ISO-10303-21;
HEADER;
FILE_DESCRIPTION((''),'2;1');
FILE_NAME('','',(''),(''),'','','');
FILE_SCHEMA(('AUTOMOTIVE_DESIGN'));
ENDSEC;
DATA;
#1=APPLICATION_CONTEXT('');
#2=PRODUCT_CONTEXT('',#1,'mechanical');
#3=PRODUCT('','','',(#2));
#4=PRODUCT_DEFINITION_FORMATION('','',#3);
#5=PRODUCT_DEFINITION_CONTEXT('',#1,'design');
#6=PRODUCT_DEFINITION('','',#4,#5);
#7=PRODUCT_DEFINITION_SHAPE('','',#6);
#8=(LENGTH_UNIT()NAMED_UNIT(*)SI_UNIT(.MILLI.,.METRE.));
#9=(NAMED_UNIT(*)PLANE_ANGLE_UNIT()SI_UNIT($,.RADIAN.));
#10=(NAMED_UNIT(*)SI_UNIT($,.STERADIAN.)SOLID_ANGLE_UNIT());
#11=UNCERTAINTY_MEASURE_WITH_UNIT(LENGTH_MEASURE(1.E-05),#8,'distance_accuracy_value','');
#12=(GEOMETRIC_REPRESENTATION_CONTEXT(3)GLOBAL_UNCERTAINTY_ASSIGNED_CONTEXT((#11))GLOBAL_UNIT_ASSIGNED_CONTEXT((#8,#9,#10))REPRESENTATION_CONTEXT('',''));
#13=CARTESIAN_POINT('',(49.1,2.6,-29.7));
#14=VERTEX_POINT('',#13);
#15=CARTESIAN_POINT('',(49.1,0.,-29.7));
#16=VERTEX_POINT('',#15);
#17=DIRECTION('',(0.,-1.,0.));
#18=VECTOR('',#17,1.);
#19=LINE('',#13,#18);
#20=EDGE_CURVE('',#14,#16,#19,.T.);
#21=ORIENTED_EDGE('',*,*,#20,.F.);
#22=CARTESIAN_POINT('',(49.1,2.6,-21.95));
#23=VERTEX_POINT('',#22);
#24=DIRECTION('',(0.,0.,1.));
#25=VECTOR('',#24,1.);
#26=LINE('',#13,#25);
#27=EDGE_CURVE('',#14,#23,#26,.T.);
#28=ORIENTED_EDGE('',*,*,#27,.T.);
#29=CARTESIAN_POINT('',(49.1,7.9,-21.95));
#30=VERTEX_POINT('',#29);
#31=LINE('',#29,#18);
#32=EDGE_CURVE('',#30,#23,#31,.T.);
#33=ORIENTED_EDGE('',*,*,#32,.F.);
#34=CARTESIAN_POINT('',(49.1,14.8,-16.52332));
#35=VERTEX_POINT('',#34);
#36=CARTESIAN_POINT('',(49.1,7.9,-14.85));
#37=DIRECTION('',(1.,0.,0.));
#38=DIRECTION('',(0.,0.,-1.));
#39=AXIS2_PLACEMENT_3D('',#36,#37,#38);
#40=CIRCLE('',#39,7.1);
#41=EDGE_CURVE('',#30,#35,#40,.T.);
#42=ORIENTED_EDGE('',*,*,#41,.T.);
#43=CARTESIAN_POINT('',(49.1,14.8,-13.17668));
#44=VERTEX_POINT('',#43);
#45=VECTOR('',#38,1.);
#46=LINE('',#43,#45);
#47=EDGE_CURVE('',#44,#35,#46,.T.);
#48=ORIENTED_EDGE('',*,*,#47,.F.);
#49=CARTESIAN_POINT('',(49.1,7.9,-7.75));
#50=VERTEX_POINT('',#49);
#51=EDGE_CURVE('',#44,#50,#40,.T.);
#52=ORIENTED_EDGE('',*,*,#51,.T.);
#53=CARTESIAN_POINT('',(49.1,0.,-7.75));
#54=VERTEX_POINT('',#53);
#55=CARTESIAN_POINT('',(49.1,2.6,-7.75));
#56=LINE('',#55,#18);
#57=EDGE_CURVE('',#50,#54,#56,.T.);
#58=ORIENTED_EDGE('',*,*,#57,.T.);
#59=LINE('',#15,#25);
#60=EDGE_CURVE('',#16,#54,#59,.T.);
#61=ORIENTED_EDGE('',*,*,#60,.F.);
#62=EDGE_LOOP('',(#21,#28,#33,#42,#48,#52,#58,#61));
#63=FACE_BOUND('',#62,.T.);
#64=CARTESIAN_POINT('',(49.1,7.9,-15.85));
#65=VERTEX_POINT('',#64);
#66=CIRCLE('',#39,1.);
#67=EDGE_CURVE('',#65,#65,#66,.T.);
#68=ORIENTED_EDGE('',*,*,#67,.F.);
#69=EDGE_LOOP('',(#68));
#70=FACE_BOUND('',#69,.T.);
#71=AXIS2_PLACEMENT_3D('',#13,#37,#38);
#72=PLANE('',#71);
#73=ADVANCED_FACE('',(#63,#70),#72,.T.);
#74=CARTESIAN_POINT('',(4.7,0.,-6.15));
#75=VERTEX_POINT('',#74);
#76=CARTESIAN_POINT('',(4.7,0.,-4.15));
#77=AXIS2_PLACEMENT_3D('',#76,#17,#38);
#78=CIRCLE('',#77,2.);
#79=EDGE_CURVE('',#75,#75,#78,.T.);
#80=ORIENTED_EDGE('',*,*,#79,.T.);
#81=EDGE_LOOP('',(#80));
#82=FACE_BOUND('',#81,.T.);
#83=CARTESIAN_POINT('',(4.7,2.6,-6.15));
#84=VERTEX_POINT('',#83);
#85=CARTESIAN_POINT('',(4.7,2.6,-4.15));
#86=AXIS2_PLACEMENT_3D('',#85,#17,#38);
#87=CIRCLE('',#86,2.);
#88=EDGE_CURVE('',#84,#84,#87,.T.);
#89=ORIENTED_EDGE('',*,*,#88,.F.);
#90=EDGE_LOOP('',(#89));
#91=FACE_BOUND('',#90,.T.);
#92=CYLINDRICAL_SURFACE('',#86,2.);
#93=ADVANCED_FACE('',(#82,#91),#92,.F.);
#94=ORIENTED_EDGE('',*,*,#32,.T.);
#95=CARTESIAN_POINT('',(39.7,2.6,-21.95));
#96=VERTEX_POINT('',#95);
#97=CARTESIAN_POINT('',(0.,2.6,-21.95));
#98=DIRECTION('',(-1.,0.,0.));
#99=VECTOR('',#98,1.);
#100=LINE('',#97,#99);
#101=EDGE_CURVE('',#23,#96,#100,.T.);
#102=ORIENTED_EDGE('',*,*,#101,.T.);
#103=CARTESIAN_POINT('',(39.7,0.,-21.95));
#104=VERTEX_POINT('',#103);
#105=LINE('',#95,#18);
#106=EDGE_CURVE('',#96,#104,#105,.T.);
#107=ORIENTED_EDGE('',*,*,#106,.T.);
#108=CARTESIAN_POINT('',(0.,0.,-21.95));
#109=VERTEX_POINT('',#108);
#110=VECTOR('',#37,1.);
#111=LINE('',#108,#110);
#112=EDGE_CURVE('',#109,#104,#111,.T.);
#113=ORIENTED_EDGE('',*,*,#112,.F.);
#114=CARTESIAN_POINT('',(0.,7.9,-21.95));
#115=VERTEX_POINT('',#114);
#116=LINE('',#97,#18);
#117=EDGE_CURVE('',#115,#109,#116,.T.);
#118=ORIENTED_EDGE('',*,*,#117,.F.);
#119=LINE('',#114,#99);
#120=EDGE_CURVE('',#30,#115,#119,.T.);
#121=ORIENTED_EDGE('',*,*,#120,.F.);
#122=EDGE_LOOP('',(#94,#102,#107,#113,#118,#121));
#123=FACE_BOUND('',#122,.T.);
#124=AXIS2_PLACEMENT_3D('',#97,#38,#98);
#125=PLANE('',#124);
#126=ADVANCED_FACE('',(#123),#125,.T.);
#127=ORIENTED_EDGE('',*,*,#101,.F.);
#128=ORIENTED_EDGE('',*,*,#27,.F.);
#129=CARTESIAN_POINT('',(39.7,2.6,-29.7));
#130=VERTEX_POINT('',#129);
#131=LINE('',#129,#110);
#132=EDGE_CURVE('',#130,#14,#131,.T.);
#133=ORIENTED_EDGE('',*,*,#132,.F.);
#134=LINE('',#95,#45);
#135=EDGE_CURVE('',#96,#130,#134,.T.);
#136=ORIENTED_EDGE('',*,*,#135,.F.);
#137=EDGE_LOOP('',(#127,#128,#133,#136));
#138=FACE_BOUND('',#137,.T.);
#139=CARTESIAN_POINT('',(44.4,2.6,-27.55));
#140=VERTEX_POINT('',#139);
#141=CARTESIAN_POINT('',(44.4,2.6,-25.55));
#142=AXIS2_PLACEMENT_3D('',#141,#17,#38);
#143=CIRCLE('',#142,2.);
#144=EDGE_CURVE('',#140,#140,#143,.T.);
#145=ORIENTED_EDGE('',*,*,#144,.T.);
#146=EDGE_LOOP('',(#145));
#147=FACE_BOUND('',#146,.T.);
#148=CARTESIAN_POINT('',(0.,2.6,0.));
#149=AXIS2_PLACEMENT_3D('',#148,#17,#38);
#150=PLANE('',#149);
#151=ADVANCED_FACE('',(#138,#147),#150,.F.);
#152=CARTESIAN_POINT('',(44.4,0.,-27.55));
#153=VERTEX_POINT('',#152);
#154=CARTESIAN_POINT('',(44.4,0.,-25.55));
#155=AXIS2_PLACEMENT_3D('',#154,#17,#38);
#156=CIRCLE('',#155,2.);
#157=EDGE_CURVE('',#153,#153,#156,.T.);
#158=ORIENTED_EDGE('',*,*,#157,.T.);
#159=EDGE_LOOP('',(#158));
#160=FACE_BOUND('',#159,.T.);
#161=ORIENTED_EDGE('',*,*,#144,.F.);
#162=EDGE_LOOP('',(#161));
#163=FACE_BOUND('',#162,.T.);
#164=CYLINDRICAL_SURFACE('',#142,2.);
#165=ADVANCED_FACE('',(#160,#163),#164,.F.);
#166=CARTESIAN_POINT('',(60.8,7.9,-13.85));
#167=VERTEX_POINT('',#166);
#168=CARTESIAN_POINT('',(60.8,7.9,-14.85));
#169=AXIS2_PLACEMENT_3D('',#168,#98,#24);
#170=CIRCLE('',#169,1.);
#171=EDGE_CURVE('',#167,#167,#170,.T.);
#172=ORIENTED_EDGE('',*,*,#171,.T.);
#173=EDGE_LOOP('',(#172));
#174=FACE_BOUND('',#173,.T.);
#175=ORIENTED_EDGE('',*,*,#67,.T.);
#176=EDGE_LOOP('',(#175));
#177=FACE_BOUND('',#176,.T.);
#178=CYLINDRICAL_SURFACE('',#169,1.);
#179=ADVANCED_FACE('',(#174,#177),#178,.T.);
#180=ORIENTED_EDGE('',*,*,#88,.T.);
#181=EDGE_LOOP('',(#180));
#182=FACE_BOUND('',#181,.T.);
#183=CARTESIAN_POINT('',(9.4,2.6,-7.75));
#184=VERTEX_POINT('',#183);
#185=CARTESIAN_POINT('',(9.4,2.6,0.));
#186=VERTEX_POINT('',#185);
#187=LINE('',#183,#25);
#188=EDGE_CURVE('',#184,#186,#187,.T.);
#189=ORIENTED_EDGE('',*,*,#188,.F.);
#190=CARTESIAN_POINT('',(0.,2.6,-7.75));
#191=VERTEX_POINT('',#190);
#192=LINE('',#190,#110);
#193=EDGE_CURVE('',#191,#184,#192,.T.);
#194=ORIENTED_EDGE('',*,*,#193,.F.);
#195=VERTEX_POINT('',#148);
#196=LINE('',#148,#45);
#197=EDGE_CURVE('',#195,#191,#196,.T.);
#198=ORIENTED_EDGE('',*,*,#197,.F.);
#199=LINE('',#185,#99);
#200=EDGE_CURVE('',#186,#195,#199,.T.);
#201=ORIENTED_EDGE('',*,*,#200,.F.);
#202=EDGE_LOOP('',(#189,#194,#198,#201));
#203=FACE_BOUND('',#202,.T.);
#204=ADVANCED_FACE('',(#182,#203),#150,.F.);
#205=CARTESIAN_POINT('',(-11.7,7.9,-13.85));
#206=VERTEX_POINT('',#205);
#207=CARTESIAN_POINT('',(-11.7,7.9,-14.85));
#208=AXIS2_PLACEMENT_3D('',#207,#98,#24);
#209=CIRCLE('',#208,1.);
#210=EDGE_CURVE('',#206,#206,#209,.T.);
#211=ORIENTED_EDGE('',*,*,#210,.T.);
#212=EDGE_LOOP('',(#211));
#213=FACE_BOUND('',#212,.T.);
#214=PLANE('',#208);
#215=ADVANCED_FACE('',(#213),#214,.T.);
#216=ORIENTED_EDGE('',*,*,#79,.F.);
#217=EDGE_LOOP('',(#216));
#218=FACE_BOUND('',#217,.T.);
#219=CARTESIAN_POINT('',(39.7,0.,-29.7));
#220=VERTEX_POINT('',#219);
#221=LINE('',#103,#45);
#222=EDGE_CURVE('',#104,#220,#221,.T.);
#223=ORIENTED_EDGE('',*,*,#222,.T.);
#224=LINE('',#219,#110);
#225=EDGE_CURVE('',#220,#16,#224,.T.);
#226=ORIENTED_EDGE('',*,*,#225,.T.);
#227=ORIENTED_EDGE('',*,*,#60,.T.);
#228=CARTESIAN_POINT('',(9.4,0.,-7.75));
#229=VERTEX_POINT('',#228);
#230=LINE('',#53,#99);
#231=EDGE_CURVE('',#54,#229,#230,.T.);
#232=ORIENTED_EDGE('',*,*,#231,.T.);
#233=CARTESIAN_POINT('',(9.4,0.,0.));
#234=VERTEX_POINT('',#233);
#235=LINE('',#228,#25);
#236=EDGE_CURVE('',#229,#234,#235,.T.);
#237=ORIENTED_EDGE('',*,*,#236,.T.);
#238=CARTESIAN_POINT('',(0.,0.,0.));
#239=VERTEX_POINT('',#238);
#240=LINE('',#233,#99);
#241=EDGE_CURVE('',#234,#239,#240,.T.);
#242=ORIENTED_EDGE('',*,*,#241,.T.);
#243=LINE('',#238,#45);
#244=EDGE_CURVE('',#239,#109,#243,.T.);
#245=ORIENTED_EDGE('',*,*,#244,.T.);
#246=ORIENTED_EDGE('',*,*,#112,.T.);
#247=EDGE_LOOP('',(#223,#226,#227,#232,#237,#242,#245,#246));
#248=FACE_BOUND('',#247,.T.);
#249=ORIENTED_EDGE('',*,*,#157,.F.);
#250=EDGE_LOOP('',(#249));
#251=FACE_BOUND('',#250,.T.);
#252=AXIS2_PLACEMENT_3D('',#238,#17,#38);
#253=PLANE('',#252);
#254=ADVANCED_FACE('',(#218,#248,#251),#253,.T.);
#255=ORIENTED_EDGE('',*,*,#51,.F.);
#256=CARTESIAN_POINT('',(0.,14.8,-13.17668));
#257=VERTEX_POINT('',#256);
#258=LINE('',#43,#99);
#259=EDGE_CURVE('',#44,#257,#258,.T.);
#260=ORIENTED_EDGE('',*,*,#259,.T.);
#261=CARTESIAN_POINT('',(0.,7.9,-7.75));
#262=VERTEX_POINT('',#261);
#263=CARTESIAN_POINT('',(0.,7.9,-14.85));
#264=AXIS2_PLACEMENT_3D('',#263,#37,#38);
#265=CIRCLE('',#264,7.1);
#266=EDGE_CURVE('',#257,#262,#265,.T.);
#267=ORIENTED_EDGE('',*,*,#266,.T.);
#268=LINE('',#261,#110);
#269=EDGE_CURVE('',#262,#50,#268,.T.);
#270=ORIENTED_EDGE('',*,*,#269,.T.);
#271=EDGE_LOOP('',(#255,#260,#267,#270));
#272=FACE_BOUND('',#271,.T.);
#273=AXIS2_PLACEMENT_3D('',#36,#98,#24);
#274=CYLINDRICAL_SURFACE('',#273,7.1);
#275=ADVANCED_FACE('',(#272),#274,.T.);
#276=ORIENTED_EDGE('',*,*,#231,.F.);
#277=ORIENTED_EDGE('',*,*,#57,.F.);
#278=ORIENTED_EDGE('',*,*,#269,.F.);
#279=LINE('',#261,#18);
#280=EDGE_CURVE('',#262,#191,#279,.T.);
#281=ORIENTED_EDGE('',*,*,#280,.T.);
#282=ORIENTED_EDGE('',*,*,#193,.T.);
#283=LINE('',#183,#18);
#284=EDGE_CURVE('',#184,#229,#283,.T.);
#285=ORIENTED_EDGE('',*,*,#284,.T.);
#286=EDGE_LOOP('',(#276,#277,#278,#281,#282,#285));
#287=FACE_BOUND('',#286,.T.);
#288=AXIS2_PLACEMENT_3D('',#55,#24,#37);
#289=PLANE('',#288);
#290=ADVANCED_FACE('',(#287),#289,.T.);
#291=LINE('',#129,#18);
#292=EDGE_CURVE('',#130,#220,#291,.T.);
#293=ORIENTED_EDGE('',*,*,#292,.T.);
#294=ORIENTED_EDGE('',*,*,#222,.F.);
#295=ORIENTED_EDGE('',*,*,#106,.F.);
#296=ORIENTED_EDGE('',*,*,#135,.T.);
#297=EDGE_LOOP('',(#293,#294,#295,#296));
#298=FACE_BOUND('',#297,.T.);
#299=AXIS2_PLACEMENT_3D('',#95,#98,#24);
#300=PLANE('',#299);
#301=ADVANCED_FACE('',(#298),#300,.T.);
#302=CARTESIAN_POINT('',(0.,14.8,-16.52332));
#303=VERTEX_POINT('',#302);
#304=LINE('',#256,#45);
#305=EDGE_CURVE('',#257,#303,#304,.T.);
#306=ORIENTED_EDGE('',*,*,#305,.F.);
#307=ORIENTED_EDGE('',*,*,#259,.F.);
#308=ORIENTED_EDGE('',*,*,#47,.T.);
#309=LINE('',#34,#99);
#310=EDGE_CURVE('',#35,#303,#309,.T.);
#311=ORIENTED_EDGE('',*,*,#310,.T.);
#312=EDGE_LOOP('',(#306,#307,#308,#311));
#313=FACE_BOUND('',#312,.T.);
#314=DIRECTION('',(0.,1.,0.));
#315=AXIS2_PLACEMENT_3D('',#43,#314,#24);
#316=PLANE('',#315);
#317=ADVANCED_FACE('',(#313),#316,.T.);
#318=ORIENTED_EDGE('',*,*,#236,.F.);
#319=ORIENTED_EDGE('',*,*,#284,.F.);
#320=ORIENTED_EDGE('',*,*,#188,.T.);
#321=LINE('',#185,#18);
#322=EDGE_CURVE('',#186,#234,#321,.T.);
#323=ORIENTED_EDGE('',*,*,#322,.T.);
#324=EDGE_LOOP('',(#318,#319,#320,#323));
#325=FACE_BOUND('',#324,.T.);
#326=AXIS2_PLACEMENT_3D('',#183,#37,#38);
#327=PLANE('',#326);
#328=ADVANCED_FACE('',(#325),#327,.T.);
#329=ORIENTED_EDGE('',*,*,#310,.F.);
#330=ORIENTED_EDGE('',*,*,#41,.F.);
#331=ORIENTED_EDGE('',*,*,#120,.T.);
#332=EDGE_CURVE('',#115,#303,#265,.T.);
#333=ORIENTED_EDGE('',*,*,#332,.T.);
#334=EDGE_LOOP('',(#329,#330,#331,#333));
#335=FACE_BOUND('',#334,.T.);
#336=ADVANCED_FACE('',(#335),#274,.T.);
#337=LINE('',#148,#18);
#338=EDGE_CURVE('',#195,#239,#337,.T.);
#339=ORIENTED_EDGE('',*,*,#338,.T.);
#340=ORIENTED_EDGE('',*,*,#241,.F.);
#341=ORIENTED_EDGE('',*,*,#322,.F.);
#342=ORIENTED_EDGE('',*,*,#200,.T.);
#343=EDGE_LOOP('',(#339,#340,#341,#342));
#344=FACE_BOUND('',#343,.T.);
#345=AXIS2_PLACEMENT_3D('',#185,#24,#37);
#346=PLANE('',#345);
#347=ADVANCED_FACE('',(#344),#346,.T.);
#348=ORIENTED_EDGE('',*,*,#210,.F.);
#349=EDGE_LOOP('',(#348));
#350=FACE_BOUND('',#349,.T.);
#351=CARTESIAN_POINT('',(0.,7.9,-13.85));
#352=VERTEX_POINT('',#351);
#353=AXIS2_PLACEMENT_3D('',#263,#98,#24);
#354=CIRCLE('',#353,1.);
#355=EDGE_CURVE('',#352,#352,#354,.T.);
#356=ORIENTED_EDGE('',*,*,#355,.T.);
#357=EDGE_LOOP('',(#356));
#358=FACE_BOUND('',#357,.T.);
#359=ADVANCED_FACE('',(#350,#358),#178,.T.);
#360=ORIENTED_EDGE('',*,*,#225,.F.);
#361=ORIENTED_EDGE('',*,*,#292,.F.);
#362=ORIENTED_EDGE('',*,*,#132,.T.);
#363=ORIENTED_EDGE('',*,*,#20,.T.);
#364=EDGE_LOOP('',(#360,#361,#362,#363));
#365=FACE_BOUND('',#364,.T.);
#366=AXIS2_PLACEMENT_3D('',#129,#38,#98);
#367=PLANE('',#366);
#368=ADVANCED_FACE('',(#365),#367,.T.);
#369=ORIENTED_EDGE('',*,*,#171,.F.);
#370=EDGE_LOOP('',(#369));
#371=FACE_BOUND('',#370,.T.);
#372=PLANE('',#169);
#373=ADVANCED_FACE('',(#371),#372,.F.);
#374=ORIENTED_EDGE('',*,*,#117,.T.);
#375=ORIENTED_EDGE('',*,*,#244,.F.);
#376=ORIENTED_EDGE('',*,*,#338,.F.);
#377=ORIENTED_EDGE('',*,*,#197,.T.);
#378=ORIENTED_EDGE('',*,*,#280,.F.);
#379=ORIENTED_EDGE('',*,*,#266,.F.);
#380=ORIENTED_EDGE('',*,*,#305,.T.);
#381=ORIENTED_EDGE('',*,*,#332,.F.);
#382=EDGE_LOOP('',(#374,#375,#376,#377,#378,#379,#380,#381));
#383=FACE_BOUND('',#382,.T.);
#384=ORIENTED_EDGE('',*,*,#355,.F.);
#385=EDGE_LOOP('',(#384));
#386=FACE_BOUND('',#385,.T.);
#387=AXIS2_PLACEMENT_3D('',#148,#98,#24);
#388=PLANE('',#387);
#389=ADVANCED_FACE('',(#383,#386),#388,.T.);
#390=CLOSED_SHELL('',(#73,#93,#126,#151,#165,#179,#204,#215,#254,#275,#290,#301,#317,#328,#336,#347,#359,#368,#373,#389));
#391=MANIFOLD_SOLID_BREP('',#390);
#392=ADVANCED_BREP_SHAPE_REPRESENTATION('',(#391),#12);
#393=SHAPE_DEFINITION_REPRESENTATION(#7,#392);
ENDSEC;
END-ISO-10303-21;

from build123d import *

# Parameters (mm, degrees)
DODANIE_WYCI_GNI_CIE1_DEPTH      = 2.6
SZKIC4_R                         = 2
WYTNIJ_WYCI_GNI_CIE1_DEPTH       = 2.6
SZKIC5_W                         = 49.1
SZKIC5_H                         = 14.2
DODANIE_WYCI_GNI_CIE3_DEPTH      = 5.3
DODANIE_WYCI_GNI_CIE4_DEPTH      = 49.1
SZKIC10_R                        = 1
DODANIE_WYCI_GNI_CIE5_DEPTH      = 11.7
DODANIE_WYCI_GNI_CIE5_DEPTH_BACK = 60.8


with BuildPart() as part:
    # Szkic1 → Dodanie-wyciągnięcie1 (new body)
    with BuildSketch(Plane(origin=(0, 0, 0), x_dir=(1, 0, 0), z_dir=(0, 1, 0))):
        Polygon((0, 0), (0, 21.95), (39.7, 21.95), (39.7, 29.7), (49.1, 29.7), (49.1, 7.75), (9.4, 7.75), (9.4, 0), align=None)
    extrude(amount=DODANIE_WYCI_GNI_CIE1_DEPTH)

    # Szkic4 → Wytnij-wyciągnięcie1 (cut)
    with BuildSketch(Plane.XZ):
        with Locations((4.7, -4.15)):
            Circle(SZKIC4_R)
        with Locations((44.4, -25.55)):
            Circle(SZKIC4_R)
    extrude(amount=-WYTNIJ_WYCI_GNI_CIE1_DEPTH, mode=Mode.SUBTRACT)

    # Szkic5 → Dodanie-wyciągnięcie3 (add)
    with BuildSketch(Plane(origin=(0, 2.6, 0), x_dir=(1, 0, 0), z_dir=(0, 1, 0))):
        with Locations((24.55, 14.85)):
            Rectangle(SZKIC5_W, SZKIC5_H)
    extrude(amount=DODANIE_WYCI_GNI_CIE3_DEPTH)

    # Szkic7 → Dodanie-wyciągnięcie4 (add)
    with BuildSketch(Plane(origin=(0, 0, 0), x_dir=(0, 0, -1), z_dir=(1, 0, 0))):
        with BuildLine():
            Line((13.176679947, 14.8), (16.523320053, 14.8))
            ThreePointArc((16.523320053, 14.8), (14.85, 0.8), (13.176679947, 14.8))
        make_face()
    extrude(amount=DODANIE_WYCI_GNI_CIE4_DEPTH)

    # Szkic10 → Dodanie-wyciągnięcie5 (add, two sides)
    with BuildSketch(Plane.ZY) as dodanie_wyci_gni_cie5_sk:
        with Locations((-14.85, 7.9)):
            Circle(SZKIC10_R)
    extrude(amount=DODANIE_WYCI_GNI_CIE5_DEPTH)
    extrude(dodanie_wyci_gni_cie5_sk.sketch, amount=-DODANIE_WYCI_GNI_CIE5_DEPTH_BACK)


solid = part.part
